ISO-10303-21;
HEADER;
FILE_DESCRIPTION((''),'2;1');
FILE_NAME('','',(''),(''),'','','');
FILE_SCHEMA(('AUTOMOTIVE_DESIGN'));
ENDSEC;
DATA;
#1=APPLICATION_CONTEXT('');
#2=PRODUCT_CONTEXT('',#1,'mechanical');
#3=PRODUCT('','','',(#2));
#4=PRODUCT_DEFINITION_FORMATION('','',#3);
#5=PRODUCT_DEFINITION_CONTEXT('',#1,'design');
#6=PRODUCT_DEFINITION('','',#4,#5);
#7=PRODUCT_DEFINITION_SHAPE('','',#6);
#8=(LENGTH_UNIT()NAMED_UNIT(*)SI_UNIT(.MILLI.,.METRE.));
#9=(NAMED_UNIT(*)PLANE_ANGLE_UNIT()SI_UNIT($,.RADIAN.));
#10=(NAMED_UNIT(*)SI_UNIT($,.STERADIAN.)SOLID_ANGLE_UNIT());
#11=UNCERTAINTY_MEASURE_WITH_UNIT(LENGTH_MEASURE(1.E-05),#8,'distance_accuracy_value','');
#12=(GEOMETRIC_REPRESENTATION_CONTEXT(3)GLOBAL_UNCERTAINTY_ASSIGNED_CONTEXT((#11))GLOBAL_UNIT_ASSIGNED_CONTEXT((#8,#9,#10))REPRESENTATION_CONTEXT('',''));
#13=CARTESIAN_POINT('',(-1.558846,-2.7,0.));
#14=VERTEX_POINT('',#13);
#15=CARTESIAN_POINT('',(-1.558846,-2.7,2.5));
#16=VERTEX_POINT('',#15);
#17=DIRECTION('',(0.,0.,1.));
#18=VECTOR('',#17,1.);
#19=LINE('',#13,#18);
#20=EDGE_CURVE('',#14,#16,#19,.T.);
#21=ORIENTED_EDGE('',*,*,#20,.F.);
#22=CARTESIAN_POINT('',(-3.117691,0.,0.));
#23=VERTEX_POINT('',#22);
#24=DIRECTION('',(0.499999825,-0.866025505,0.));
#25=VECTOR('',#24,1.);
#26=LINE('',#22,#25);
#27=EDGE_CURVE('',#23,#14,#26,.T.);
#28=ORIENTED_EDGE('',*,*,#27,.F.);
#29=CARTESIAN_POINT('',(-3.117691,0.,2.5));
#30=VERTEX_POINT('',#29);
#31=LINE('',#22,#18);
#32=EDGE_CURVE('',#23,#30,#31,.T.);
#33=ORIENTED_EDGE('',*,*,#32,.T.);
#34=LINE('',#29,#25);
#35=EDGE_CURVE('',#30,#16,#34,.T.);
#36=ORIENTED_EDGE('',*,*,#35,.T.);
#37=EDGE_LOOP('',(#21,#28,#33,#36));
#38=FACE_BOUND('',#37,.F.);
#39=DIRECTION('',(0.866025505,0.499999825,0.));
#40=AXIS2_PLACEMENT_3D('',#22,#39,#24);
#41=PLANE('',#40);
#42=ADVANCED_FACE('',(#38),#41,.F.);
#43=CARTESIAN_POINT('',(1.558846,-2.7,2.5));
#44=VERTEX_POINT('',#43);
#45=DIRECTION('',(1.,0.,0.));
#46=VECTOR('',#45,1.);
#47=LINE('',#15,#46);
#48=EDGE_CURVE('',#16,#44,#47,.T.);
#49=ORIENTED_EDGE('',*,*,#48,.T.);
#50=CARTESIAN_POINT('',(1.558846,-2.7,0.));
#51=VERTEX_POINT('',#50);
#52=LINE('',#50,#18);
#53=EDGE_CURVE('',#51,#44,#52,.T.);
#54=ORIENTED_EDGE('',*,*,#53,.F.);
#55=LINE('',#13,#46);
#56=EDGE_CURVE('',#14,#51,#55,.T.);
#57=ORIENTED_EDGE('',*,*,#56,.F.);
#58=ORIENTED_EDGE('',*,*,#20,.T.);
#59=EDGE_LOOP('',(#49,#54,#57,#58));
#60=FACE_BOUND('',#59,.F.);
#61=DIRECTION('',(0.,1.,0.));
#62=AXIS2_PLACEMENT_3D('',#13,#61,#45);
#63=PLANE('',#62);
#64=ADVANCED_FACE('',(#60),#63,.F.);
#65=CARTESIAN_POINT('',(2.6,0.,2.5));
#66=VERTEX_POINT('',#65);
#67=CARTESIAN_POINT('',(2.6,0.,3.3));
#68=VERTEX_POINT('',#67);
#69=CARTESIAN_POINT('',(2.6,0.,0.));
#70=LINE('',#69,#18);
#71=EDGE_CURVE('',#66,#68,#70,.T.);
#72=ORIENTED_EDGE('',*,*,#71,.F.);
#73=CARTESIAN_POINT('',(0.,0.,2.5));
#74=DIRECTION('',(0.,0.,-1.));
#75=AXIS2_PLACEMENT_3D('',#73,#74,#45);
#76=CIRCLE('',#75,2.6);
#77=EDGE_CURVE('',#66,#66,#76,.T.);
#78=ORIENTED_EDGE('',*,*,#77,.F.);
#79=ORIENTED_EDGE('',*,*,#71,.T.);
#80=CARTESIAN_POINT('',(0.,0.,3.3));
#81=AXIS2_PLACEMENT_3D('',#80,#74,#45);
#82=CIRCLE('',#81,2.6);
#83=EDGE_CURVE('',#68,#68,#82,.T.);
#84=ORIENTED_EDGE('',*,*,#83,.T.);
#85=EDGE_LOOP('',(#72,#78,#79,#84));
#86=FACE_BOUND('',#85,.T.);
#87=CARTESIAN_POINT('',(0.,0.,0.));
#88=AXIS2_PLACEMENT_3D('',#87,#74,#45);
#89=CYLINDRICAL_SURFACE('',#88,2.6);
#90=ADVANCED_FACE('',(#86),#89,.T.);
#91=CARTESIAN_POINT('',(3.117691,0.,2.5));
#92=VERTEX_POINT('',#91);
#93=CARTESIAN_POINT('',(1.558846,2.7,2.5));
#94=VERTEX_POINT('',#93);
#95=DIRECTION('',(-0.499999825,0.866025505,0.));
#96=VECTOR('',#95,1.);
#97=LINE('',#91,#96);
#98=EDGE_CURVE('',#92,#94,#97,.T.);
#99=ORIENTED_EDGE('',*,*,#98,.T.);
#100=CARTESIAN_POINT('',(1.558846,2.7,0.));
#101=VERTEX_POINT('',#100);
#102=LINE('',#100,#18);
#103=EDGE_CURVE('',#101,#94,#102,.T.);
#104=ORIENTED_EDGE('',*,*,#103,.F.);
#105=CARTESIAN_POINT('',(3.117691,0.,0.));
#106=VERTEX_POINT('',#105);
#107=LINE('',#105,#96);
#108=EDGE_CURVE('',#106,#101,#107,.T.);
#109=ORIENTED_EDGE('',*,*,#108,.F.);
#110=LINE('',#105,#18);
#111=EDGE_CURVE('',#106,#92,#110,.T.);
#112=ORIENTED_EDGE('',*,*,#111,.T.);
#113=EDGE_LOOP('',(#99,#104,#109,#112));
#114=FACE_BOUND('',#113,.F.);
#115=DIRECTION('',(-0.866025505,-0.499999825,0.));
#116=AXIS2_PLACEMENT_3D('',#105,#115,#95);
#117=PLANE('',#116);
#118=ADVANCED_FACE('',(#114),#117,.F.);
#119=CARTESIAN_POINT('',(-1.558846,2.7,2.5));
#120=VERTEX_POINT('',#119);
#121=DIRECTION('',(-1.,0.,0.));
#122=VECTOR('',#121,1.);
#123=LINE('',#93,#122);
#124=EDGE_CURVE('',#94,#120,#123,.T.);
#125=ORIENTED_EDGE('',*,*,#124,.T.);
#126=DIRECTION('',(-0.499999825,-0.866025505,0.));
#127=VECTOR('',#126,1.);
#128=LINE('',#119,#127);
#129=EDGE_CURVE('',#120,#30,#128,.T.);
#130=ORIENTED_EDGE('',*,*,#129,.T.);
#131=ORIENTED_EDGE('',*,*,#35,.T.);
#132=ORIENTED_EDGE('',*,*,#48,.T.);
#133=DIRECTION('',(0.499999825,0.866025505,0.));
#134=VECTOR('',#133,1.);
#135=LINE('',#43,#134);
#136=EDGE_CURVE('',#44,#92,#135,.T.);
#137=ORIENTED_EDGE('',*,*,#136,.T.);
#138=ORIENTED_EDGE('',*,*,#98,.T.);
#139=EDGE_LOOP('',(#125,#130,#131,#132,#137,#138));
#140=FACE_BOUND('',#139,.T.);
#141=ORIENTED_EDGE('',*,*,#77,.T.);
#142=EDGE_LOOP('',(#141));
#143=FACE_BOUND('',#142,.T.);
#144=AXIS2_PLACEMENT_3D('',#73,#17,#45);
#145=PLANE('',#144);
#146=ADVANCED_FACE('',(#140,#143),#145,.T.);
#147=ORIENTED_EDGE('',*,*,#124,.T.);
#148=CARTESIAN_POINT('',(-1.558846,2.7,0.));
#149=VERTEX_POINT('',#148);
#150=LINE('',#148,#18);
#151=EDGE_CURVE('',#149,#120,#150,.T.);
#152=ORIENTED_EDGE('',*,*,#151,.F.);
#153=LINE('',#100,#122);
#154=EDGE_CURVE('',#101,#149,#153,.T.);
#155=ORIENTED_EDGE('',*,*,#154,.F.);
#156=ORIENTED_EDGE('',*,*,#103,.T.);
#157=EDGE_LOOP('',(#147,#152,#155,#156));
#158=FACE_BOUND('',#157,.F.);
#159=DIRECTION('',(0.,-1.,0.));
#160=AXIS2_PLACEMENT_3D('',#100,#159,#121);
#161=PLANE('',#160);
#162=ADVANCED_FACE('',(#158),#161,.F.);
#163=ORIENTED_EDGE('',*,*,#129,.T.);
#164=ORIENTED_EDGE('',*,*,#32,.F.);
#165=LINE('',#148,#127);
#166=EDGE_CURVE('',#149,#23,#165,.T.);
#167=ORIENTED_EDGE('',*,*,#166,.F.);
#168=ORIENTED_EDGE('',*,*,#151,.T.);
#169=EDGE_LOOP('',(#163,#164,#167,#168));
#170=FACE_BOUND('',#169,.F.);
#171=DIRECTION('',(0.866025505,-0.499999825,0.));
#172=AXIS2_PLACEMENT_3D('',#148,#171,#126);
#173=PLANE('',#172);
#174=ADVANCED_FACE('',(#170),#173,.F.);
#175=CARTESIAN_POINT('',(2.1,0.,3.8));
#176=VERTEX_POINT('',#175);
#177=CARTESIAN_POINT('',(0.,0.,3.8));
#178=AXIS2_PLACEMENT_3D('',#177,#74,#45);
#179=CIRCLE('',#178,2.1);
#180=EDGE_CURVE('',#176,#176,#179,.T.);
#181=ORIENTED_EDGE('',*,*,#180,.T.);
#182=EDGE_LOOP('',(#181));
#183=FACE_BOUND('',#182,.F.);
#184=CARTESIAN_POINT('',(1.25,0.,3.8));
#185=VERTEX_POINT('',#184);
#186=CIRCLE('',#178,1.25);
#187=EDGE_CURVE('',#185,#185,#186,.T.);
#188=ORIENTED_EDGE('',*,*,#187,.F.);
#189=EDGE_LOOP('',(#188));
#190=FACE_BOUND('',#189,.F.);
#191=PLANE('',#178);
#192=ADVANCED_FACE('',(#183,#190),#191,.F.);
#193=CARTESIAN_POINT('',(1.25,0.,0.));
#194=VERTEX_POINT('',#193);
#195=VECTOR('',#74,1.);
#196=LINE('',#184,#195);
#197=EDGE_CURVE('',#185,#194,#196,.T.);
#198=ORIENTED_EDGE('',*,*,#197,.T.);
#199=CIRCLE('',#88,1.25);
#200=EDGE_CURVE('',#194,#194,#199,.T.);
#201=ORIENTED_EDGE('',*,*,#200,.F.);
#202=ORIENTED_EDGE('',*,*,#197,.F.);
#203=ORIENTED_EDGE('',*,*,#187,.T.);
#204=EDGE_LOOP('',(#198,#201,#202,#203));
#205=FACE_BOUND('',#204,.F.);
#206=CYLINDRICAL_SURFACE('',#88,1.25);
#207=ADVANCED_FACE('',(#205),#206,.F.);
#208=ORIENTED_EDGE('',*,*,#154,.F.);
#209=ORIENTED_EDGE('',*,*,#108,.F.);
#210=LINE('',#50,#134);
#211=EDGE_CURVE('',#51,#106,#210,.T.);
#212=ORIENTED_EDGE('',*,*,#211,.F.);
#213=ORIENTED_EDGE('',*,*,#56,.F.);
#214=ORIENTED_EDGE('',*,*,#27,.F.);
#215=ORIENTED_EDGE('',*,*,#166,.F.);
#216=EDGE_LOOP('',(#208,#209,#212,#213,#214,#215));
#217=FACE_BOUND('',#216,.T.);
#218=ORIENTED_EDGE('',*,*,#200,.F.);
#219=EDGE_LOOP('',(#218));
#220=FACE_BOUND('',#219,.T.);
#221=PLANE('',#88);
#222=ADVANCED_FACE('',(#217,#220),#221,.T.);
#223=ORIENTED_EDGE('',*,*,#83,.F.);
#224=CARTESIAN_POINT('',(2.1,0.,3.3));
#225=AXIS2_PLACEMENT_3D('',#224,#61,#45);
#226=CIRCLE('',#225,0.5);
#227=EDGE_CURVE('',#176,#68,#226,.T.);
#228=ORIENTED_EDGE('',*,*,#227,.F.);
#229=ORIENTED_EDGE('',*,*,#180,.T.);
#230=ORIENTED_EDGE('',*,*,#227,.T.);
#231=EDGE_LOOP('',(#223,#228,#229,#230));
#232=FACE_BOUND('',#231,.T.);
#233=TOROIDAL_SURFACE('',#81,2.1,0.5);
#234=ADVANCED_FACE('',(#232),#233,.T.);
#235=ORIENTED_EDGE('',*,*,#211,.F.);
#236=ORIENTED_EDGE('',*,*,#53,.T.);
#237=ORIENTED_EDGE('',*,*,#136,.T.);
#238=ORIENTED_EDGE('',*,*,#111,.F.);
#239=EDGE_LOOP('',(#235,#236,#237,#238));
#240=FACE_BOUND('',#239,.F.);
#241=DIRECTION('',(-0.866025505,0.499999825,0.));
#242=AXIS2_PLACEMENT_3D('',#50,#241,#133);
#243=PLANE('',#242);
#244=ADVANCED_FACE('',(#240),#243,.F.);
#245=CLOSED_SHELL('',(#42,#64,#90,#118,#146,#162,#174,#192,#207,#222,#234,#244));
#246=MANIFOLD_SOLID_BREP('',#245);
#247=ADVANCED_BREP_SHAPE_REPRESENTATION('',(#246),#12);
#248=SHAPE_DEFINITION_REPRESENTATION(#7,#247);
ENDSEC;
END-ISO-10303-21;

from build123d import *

# Parameters (mm, degrees)
F1_DEPTH = 2.5
F2_R     = 2.6
F2_R_2   = 1.25
F3_DEPTH = 3.8
F4_DEPTH = 25
F5_R     = 0.5


with BuildPart() as f1:
    # F0 (on Top) → F1 (new body)
    with BuildSketch(Plane.XY):
        Polygon((-1.558846, -2.7), (1.558846, -2.7), (3.117691, 0), (1.558846, 2.7), (-1.558846, 2.7), (-3.117691, 0), align=None)
    extrude(amount=F1_DEPTH)

    # F2 (on face) → F3 (join)
    with BuildSketch(Plane(origin=(0, 0, 0), x_dir=(1, 0, 0), z_dir=(0, 0, -1))):
        Circle(F2_R)
        Circle(F2_R_2, mode=Mode.SUBTRACT)
    extrude(amount=-F3_DEPTH)

    # F2 (on face) → F4 (cut)
    with BuildSketch(Plane(origin=(0, 0, 0), x_dir=(1, 0, 0), z_dir=(0, 0, -1))):
        Circle(F2_R_2)
    extrude(amount=-F4_DEPTH, mode=Mode.SUBTRACT)

    # F5
    f5_edges = [f1.edges().sort_by_distance(p)[0] for p in [
        (-2.6, 0, 3.8),
    ]]
    fillet(f5_edges, radius=F5_R)


solid = f1.part
